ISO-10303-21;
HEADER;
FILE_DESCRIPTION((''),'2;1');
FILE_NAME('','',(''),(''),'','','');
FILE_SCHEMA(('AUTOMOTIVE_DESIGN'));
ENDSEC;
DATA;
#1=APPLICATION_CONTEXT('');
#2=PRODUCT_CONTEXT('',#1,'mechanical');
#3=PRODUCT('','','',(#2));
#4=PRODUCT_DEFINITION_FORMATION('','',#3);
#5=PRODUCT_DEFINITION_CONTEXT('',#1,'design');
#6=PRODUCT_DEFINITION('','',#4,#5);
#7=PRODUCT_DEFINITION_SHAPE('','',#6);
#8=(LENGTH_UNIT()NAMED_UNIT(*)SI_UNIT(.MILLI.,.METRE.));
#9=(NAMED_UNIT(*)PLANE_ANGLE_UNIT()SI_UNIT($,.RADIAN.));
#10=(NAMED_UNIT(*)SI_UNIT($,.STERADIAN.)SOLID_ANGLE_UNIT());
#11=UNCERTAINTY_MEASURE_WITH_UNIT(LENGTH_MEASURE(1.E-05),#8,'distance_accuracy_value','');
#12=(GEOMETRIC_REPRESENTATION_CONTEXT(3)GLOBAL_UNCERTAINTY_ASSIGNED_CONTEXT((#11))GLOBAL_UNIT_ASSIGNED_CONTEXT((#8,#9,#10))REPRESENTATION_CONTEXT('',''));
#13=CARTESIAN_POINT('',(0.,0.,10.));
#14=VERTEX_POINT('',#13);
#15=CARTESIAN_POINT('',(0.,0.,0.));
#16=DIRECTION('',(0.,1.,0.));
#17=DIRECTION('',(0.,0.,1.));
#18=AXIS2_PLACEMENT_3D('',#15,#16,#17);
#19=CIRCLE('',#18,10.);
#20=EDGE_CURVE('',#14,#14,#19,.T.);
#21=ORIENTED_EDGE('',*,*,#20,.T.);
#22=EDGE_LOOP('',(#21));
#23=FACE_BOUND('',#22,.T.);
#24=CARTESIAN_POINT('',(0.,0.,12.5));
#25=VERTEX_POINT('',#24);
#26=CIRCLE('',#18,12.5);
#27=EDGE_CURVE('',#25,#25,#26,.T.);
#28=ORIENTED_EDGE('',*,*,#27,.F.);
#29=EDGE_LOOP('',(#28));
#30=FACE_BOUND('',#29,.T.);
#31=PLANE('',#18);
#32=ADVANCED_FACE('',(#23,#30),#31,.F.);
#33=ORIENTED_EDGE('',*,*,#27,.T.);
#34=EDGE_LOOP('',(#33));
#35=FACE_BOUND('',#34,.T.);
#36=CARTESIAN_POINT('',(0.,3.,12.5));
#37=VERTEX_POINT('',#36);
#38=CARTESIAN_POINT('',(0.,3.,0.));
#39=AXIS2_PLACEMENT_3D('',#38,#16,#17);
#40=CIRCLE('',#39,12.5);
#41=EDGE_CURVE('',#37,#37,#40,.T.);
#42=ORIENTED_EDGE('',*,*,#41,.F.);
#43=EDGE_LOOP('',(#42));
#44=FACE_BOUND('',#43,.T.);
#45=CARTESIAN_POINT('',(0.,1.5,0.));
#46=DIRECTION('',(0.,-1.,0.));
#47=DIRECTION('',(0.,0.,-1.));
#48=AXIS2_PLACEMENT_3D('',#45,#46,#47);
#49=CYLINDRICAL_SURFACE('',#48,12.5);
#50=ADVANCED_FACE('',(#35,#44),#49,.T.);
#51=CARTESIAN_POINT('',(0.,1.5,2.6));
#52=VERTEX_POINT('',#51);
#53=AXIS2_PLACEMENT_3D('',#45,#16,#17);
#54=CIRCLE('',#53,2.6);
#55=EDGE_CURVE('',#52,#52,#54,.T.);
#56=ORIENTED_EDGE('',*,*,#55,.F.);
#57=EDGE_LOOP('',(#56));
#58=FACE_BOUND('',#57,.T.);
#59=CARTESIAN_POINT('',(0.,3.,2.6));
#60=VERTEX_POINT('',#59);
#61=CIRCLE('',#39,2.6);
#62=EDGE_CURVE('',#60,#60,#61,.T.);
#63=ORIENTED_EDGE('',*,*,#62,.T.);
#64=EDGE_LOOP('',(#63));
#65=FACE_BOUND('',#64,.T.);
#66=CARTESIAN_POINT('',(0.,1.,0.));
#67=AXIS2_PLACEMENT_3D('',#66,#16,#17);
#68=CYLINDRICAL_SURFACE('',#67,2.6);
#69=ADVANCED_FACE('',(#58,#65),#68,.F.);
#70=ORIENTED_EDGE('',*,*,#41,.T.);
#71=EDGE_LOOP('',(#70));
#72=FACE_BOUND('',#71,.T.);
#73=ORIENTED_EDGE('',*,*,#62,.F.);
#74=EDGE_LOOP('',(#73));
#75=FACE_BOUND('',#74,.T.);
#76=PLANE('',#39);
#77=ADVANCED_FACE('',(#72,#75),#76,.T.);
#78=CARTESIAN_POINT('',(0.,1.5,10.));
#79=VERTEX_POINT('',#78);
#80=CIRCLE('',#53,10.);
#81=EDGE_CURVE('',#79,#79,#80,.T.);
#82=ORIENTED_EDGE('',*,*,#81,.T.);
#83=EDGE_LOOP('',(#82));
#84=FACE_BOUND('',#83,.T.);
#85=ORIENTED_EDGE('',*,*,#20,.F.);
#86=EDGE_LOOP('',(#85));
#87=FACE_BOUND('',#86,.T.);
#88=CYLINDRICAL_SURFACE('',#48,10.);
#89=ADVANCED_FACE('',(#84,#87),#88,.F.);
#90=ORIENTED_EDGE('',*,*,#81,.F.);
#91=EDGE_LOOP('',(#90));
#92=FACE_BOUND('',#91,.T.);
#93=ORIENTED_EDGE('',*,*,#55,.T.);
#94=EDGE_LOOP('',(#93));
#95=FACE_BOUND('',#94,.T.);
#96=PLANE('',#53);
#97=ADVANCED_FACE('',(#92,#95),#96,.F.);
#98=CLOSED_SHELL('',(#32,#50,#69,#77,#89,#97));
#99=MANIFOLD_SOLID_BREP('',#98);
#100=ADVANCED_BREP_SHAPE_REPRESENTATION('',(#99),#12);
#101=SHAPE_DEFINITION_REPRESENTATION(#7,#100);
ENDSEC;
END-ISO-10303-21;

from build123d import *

# Parameters (mm, degrees)
SKETCH1_R           = 12.5
SKETCH1_R_2         = 10
BOSS_EXTRUDE1_DEPTH = 1.5
SKETCH2_R           = 12.5
BOSS_EXTRUDE2_DEPTH = 1.5
SKETCH3_R           = 2.6
CUT_EXTRUDE1_DEPTH  = 2


with BuildPart() as part:
    # Sketch1 → Boss-Extrude1 (new body)
    with BuildSketch(Plane(origin=(0, 0, 0), x_dir=(1, 0, 0), z_dir=(0, 1, 0))):
        with Locations(Location((0, 0, 0), (0, 0, 270))):
            Circle(SKETCH1_R)
        with Locations(Location((0, 0, 0), (0, 0, 270))):
            Circle(SKETCH1_R_2, mode=Mode.SUBTRACT)
    extrude(amount=BOSS_EXTRUDE1_DEPTH)

    # Sketch2 → Boss-Extrude2 (add)
    with BuildSketch(Plane(origin=(0, 1.5, 0), x_dir=(1, 0, 0), z_dir=(0, 1, 0))):
        with Locations(Location((0, 0, 0), (0, 0, 270))):
            Circle(SKETCH2_R)
    extrude(amount=BOSS_EXTRUDE2_DEPTH)

    # Sketch3 → Cut-Extrude1 (cut)
    with BuildSketch(Plane(origin=(0, 3, 0), x_dir=(1, 0, 0), z_dir=(0, 1, 0))):
        with Locations(Location((0, 0, 0), (0, 0, 270))):
            Circle(SKETCH3_R)
    extrude(amount=-CUT_EXTRUDE1_DEPTH, mode=Mode.SUBTRACT)


solid = part.part
